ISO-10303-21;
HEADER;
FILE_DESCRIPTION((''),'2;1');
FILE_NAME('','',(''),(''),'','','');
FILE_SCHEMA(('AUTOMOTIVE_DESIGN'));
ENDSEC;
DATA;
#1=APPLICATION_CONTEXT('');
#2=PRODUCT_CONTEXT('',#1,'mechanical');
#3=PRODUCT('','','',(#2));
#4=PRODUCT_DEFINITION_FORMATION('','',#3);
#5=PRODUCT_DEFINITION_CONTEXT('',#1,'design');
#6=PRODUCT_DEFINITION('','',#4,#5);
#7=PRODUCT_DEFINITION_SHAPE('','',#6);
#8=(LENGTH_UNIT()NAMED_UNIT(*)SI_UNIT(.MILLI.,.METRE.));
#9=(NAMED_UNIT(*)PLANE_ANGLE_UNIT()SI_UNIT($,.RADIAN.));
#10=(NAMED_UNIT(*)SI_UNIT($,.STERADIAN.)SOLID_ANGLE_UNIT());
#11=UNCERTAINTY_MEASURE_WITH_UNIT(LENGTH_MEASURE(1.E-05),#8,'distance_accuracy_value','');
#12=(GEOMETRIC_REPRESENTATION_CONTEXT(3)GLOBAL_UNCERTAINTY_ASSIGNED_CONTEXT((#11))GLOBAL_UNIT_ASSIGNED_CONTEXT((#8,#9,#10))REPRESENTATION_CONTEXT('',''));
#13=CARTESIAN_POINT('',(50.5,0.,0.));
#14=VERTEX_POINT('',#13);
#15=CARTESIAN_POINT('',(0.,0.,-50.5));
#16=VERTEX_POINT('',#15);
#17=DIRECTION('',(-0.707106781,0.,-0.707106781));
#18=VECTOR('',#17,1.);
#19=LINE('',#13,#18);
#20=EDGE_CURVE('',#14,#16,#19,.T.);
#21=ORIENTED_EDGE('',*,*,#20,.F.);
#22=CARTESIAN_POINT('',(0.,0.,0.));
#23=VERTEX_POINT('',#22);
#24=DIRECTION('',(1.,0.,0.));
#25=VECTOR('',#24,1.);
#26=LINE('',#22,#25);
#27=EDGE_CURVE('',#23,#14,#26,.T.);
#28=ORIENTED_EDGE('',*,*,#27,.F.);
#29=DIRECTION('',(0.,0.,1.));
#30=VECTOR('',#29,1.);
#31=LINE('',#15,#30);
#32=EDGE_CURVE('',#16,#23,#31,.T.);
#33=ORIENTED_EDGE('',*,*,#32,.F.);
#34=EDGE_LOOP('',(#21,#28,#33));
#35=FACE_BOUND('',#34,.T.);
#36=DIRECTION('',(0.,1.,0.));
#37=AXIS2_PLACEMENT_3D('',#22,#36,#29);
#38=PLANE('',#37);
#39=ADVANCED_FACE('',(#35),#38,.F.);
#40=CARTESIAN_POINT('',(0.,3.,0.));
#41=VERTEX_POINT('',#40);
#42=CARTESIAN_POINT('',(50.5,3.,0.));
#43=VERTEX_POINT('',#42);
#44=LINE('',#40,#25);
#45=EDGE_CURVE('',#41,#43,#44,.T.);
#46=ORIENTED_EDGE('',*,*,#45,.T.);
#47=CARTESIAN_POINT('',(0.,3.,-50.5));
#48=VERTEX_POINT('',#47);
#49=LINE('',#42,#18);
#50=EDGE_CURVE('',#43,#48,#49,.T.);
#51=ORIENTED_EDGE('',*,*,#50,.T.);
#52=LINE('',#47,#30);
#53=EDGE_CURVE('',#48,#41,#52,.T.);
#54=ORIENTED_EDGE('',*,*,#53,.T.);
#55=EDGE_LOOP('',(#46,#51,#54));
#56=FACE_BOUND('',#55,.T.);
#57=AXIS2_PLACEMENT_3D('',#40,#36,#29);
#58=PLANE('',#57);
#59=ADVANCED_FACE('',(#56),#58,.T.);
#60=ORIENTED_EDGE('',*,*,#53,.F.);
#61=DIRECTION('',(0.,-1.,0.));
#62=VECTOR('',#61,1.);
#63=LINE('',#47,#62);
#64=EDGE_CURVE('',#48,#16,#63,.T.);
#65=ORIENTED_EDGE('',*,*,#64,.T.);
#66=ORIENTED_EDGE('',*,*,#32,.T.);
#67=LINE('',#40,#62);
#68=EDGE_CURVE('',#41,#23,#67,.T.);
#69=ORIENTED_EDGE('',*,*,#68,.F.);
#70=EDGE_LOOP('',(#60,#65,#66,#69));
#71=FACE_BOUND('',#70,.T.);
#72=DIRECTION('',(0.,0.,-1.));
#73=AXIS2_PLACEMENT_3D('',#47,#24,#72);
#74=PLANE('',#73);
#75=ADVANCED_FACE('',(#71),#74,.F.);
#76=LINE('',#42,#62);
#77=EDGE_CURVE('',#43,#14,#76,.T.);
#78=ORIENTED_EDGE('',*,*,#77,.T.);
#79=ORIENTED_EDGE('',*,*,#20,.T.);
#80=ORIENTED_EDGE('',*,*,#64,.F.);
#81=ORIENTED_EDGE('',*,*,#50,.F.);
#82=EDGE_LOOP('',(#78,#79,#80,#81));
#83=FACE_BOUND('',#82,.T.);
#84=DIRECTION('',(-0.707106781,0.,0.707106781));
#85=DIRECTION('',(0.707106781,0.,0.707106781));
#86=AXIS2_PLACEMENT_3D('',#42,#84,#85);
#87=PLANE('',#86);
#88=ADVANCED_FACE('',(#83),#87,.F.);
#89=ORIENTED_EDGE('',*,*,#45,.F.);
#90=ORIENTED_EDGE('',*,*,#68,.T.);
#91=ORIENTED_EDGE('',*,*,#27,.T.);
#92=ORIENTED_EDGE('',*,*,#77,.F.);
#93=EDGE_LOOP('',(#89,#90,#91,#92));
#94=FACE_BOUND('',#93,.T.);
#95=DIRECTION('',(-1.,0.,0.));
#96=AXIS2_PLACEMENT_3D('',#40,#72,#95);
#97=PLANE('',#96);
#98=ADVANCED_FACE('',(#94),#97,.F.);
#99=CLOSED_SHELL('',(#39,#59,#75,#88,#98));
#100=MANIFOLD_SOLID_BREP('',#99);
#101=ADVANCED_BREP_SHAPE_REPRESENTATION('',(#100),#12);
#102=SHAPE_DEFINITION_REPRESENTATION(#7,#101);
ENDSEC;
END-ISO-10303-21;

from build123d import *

# Parameters (mm, degrees)
BOSS_EXTRUDE1_DEPTH = 3


with BuildPart() as part:
    # Sketch1 → Boss-Extrude1 (new body)
    with BuildSketch(Plane(origin=(0, 0, 0), x_dir=(1, 0, 0), z_dir=(0, 1, 0))):
        Polygon((0, 0), (50.5, 0), (0, 50.5), align=None)
    extrude(amount=BOSS_EXTRUDE1_DEPTH)


solid = part.part
